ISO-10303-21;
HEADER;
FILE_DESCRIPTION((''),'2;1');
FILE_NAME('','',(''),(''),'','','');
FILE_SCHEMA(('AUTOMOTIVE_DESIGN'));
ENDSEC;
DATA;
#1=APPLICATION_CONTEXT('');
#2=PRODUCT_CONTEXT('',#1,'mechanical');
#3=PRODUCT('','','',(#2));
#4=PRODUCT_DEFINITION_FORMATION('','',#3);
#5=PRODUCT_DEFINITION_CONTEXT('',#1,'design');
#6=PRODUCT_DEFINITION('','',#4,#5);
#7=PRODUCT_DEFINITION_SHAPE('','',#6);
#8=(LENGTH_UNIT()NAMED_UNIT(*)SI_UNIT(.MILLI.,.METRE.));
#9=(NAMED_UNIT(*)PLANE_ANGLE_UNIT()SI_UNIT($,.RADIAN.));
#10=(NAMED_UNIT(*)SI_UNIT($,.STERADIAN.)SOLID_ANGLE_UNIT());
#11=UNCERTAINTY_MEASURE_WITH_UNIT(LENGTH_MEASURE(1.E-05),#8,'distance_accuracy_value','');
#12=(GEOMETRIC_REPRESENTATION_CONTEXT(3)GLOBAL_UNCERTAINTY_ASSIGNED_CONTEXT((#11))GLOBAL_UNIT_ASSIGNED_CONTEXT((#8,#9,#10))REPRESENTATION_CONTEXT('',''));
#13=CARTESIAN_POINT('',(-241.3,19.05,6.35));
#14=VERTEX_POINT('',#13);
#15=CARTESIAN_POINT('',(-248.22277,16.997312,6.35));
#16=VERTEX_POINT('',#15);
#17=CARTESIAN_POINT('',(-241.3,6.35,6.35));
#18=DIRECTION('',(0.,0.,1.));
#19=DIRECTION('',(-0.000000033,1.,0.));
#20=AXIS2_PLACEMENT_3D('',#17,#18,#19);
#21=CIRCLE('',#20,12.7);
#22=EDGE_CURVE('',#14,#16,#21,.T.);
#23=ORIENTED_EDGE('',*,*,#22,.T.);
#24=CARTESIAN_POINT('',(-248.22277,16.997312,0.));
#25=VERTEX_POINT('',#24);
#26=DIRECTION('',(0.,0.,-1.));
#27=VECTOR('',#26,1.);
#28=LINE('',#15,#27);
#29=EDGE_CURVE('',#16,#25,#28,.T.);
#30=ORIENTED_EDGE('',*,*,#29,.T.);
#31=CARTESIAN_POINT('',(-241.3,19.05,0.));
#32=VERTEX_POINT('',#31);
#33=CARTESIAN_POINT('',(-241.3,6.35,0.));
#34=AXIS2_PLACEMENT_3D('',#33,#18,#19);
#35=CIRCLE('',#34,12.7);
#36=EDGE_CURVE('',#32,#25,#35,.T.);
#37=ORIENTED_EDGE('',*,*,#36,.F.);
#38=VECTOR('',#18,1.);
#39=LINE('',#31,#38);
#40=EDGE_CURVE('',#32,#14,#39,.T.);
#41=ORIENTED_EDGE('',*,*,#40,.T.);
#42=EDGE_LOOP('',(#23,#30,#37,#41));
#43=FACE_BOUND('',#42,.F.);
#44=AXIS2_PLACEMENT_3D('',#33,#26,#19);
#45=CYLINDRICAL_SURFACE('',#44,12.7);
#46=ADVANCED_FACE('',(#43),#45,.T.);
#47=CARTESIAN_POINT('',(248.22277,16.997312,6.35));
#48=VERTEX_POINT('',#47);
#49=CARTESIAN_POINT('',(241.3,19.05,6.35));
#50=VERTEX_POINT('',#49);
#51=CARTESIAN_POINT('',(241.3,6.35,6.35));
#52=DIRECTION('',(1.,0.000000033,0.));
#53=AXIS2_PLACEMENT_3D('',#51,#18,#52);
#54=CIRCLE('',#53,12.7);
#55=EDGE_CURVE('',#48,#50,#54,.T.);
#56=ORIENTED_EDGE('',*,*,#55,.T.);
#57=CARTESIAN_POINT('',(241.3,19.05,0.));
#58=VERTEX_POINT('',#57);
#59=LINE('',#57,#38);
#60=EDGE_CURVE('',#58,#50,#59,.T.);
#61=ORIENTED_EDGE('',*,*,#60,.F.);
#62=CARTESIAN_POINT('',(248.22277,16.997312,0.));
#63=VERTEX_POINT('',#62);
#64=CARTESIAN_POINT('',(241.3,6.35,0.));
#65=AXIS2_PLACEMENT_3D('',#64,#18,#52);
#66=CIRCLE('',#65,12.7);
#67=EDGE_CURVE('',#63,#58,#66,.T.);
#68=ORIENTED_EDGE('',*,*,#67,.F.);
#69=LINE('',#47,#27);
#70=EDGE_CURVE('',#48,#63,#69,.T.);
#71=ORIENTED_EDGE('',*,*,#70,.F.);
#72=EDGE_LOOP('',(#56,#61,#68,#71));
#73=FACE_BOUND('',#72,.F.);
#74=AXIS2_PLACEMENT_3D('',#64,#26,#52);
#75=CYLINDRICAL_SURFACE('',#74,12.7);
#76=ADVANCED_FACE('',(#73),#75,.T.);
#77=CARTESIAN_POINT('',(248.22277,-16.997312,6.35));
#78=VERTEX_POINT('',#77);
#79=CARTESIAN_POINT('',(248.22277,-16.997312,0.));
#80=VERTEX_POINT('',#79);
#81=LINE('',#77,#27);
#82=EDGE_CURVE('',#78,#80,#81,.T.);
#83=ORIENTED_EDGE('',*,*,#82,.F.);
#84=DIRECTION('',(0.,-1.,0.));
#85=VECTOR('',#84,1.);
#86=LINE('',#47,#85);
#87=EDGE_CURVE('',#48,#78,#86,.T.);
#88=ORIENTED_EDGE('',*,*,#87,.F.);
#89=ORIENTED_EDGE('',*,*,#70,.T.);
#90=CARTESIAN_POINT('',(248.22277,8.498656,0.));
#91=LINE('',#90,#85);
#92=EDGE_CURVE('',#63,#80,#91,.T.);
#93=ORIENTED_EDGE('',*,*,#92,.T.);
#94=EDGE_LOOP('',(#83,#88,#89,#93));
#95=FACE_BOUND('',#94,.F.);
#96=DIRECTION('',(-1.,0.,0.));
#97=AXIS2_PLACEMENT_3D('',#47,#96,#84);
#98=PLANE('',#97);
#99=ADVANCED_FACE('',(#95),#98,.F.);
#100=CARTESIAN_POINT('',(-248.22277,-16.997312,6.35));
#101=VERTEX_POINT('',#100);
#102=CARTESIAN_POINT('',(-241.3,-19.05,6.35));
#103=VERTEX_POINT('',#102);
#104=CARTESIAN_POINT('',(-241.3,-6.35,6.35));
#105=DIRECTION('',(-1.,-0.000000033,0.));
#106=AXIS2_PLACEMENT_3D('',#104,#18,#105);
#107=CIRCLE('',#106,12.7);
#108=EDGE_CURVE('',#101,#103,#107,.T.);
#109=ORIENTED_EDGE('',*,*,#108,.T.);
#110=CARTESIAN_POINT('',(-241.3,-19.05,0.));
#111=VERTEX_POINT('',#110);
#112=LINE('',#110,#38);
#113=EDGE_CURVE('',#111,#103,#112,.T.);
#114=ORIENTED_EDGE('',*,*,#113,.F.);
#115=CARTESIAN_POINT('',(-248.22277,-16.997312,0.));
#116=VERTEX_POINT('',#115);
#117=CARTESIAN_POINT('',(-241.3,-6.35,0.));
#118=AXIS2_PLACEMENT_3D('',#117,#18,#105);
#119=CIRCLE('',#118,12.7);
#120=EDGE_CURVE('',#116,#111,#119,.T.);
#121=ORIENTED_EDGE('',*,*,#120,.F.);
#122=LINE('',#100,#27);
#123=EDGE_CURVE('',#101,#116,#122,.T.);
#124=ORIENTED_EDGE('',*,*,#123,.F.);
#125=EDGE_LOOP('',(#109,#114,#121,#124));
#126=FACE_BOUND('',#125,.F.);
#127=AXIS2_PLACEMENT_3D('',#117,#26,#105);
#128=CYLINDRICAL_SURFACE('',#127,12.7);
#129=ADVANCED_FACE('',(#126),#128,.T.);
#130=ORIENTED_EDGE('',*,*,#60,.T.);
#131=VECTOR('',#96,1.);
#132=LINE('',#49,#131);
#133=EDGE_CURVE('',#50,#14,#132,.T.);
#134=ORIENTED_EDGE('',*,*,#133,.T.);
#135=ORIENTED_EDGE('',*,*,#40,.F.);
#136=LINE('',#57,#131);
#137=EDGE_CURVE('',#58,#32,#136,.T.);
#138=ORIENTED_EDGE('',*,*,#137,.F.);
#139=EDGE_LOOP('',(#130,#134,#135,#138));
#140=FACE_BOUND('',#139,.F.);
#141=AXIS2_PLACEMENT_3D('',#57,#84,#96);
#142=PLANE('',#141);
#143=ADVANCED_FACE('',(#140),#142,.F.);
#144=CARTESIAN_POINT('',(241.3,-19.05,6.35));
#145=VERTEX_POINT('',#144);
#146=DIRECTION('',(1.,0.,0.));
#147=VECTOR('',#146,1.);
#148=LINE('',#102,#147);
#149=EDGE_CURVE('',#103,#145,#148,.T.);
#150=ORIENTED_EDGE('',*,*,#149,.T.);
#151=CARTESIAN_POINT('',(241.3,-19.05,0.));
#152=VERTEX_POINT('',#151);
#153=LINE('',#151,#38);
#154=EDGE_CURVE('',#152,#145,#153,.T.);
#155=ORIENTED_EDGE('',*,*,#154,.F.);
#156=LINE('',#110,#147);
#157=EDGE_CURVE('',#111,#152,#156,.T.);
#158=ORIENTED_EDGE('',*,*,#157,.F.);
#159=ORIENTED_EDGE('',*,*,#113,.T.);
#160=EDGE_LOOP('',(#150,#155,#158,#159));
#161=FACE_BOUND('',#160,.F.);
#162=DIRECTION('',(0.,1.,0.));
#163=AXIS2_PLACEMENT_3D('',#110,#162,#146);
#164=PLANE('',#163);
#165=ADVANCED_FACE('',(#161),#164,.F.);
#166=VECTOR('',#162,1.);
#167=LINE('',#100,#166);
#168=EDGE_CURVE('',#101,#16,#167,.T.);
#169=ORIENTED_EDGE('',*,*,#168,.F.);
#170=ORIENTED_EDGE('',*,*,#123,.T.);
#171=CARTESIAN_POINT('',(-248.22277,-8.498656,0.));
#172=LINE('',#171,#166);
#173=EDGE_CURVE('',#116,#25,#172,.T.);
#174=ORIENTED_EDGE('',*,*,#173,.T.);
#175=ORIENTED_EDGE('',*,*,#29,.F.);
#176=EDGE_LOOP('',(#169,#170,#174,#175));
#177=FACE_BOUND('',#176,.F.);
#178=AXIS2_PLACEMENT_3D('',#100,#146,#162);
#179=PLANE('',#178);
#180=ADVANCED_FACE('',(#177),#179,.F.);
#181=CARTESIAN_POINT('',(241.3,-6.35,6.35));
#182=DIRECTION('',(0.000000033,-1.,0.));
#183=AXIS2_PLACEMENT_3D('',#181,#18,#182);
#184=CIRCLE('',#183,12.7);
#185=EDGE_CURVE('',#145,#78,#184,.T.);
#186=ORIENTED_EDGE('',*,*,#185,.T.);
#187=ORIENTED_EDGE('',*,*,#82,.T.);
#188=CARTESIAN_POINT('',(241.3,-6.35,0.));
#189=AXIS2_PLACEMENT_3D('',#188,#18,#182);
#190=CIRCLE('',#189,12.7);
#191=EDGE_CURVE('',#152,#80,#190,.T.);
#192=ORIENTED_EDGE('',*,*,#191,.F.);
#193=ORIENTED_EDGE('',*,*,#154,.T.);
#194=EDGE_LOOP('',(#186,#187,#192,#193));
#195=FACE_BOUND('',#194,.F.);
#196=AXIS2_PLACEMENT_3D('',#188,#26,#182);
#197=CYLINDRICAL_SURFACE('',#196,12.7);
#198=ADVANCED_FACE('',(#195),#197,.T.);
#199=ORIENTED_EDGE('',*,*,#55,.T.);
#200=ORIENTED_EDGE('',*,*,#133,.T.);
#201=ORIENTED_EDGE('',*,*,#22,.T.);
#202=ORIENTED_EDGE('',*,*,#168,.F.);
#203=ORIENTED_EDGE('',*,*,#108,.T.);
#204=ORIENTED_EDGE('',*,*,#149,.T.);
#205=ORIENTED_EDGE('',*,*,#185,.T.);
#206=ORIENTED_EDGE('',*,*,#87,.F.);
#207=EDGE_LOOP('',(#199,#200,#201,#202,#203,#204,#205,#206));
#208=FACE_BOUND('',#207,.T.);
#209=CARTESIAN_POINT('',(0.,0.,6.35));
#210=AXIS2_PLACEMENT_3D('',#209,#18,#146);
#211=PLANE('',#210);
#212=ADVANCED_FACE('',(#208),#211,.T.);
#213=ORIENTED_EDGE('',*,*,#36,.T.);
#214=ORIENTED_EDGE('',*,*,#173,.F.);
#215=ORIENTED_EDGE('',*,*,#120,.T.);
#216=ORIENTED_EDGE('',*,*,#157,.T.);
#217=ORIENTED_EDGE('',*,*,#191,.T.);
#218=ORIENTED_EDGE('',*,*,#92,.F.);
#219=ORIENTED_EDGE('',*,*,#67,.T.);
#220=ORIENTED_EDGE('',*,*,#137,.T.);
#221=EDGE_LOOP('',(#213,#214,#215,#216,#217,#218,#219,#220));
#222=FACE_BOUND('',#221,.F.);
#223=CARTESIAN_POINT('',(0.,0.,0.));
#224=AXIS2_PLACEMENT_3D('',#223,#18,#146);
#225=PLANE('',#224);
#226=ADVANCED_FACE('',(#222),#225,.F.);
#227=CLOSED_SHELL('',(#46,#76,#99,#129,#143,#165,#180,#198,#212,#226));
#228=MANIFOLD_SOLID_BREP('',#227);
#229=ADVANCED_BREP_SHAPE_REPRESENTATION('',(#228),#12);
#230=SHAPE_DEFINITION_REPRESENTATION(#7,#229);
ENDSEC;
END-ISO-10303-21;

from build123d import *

# Parameters (mm, degrees)
F1_DEPTH = 6.35
F3_DEPTH = 25.4
F5_DEPTH = 25.4


with BuildPart() as f1:
    # F0 (on Top) → F1 (new body)
    with BuildSketch(Plane.XY):
        with BuildLine():
            ThreePointArc((-254, -6.35), (-250.280256, -15.330256), (-241.3, -19.05))
            Line((-241.3, -19.05), (241.3, -19.05))
            ThreePointArc((241.3, -19.05), (250.280256, -15.330256), (254, -6.35))
            Line((254, -6.35), (254, 6.35))
            ThreePointArc((254, 6.35), (250.280256, 15.330256), (241.3, 19.05))
            Line((241.3, 19.05), (-241.3, 19.05))
            ThreePointArc((-241.3, 19.05), (-250.280256, 15.330256), (-254, 6.35))
            Line((-254, 6.35), (-254, -6.35))
        make_face()
    extrude(amount=F1_DEPTH)

    # F2 (on face) → F3 (cut)
    with BuildSketch(Plane.XY.offset(6.35)):
        with BuildLine():
            Line((250.280256, 15.330256), (250.280256, -15.330256))
            ThreePointArc((250.280256, -15.330256), (253.03327, -11.21008), (254, -6.35))
            Line((254, -6.35), (254, 6.35))
            ThreePointArc((254, 6.35), (253.03327, 11.21008), (250.280256, 15.330256))
        make_face()
        with BuildLine():
            Line((-254, 6.35), (-254, -6.35))
            ThreePointArc((-254, -6.35), (-253.03327, -11.21008), (-250.280256, -15.330256))
            Line((-250.280256, -15.330256), (-250.280256, 15.330256))
            ThreePointArc((-250.280256, 15.330256), (-253.03327, 11.21008), (-254, 6.35))
        make_face()
    extrude(amount=-F3_DEPTH, mode=Mode.SUBTRACT)

    # F4 (on face) → F5 (cut)
    with BuildSketch(Plane.XY.offset(6.35)):
        with BuildLine():
            Line((-248.22277, -16.997312), (-248.22277, 16.997312))
            ThreePointArc((-248.22277, 16.997312), (-249.295082, 16.217556), (-250.280256, 15.330256))
            Line((-250.280256, 15.330256), (-250.280256, -15.330256))
            ThreePointArc((-250.280256, -15.330256), (-249.295082, -16.217556), (-248.22277, -16.997312))
        make_face()
        with BuildLine():
            ThreePointArc((250.280256, 15.330256), (249.295082, 16.217556), (248.22277, 16.997312))
            Line((248.22277, 16.997312), (248.22277, -16.997312))
            ThreePointArc((248.22277, -16.997312), (249.295082, -16.217556), (250.280256, -15.330256))
            Line((250.280256, -15.330256), (250.280256, 15.330256))
        make_face()
    extrude(amount=-F5_DEPTH, mode=Mode.SUBTRACT)


solid = f1.part
